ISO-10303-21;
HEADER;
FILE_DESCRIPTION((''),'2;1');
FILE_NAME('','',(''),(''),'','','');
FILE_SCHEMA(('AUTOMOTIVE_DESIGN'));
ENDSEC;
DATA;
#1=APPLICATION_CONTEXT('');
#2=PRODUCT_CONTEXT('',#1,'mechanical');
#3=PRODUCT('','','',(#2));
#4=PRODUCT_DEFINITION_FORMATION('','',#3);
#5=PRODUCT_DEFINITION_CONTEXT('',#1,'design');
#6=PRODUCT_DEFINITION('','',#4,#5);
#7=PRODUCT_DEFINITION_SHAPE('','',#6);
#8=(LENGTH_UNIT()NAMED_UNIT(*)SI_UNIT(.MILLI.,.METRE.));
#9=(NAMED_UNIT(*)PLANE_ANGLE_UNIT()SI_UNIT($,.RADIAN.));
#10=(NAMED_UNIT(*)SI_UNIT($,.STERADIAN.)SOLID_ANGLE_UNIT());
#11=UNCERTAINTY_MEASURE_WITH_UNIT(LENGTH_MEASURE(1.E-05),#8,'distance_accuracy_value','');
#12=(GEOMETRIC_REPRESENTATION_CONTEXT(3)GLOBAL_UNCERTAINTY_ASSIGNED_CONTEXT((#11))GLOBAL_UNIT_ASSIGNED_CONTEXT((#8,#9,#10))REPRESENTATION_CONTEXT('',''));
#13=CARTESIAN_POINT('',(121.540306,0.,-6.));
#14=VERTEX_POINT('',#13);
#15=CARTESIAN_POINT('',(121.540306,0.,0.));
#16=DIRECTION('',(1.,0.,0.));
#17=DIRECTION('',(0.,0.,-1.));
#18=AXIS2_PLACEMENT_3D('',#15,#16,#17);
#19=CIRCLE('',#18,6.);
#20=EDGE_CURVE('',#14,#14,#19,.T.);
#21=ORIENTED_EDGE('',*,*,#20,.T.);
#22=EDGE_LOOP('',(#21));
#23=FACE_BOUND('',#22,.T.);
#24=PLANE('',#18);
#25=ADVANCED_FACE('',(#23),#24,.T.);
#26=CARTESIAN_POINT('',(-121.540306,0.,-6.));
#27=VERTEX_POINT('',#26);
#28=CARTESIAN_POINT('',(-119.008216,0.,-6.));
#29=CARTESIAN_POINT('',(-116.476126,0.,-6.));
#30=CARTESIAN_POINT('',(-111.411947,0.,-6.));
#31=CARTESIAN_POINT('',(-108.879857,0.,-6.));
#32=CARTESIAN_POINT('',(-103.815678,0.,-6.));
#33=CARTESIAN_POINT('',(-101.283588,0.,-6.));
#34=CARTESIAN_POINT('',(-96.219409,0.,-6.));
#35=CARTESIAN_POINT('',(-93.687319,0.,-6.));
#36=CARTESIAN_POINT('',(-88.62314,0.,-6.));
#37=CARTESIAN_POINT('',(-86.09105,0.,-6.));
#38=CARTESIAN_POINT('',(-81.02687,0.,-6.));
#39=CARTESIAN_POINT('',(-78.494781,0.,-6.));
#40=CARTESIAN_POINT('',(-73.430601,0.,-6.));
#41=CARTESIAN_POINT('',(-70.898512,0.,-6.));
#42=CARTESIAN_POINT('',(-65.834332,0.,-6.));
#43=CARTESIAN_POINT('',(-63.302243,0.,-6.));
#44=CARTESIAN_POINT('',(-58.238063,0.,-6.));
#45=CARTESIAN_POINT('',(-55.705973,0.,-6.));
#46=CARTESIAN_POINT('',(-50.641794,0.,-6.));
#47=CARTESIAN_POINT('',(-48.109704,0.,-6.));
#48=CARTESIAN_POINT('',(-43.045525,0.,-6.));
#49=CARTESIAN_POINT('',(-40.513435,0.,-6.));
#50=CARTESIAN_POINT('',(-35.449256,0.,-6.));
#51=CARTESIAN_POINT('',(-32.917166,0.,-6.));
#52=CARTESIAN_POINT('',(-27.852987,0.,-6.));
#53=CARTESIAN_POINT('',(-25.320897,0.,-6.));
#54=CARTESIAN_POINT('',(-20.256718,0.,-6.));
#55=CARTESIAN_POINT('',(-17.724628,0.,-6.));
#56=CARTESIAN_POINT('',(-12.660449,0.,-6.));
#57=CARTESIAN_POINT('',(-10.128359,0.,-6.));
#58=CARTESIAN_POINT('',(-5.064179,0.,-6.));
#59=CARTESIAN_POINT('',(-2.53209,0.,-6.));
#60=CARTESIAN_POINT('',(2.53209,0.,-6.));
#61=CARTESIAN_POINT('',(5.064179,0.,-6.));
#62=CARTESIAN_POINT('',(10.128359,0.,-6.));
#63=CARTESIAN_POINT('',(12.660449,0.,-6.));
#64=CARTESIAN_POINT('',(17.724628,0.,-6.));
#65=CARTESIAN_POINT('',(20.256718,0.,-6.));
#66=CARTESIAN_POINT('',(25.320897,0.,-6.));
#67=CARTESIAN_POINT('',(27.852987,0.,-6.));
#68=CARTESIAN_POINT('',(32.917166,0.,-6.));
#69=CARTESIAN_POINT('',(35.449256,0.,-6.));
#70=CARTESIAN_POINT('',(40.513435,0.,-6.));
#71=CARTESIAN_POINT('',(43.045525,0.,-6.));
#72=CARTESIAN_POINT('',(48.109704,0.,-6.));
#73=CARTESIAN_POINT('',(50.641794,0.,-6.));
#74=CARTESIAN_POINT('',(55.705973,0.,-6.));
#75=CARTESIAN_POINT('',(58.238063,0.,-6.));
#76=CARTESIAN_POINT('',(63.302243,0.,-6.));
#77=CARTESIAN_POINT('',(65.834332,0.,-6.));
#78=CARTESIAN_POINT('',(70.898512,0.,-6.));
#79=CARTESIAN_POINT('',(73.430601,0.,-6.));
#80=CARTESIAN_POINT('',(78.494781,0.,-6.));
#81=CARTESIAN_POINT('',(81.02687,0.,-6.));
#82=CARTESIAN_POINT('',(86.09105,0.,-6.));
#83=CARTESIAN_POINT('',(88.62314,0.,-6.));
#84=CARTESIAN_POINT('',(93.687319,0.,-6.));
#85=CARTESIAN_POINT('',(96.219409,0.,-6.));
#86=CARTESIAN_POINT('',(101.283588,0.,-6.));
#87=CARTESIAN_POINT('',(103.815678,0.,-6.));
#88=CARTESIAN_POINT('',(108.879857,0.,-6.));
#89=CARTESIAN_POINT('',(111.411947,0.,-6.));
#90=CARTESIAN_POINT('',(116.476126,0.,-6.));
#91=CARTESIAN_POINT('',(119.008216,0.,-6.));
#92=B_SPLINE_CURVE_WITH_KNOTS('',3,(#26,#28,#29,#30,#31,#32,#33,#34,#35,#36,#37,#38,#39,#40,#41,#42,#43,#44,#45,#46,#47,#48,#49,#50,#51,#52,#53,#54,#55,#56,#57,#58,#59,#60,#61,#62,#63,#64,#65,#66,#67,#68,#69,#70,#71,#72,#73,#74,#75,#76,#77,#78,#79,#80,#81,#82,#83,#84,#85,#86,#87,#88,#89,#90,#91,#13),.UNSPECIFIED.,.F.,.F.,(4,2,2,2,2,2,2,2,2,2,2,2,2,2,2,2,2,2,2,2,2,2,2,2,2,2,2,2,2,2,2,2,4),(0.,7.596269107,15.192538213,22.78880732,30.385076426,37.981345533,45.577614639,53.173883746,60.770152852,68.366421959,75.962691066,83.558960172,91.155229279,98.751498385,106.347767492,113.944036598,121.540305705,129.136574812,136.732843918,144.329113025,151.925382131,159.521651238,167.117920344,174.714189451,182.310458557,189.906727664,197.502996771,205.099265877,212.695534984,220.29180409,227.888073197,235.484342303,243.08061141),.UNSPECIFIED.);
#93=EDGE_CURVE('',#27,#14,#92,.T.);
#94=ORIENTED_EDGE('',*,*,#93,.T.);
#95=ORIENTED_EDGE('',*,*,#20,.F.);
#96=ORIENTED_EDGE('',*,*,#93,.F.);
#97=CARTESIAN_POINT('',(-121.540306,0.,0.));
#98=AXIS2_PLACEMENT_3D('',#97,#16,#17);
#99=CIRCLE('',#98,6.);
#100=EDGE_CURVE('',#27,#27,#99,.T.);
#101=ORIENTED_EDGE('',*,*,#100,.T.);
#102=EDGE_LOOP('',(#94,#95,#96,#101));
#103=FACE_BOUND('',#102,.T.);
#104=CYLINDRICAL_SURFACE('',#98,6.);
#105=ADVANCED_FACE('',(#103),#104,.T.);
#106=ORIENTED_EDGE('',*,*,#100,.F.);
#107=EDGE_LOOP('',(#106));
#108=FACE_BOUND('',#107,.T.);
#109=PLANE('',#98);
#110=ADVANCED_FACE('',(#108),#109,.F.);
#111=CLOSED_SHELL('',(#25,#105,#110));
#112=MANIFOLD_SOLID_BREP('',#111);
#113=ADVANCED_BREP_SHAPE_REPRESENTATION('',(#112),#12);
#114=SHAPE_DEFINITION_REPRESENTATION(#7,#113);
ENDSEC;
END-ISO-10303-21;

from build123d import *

# Parameters (mm, degrees)
SKETCH2_R           = 6
BOSS_EXTRUDE1_DEPTH = 121.540305705


with BuildPart() as part:
    # Sketch2 → Boss-Extrude1 (new, symmetric)
    with BuildSketch(Plane(origin=(0, 0, 0), x_dir=(0, 0, -1), z_dir=(1, 0, 0))):
        Circle(SKETCH2_R)
    extrude(amount=BOSS_EXTRUDE1_DEPTH, both=True)


solid = part.part
